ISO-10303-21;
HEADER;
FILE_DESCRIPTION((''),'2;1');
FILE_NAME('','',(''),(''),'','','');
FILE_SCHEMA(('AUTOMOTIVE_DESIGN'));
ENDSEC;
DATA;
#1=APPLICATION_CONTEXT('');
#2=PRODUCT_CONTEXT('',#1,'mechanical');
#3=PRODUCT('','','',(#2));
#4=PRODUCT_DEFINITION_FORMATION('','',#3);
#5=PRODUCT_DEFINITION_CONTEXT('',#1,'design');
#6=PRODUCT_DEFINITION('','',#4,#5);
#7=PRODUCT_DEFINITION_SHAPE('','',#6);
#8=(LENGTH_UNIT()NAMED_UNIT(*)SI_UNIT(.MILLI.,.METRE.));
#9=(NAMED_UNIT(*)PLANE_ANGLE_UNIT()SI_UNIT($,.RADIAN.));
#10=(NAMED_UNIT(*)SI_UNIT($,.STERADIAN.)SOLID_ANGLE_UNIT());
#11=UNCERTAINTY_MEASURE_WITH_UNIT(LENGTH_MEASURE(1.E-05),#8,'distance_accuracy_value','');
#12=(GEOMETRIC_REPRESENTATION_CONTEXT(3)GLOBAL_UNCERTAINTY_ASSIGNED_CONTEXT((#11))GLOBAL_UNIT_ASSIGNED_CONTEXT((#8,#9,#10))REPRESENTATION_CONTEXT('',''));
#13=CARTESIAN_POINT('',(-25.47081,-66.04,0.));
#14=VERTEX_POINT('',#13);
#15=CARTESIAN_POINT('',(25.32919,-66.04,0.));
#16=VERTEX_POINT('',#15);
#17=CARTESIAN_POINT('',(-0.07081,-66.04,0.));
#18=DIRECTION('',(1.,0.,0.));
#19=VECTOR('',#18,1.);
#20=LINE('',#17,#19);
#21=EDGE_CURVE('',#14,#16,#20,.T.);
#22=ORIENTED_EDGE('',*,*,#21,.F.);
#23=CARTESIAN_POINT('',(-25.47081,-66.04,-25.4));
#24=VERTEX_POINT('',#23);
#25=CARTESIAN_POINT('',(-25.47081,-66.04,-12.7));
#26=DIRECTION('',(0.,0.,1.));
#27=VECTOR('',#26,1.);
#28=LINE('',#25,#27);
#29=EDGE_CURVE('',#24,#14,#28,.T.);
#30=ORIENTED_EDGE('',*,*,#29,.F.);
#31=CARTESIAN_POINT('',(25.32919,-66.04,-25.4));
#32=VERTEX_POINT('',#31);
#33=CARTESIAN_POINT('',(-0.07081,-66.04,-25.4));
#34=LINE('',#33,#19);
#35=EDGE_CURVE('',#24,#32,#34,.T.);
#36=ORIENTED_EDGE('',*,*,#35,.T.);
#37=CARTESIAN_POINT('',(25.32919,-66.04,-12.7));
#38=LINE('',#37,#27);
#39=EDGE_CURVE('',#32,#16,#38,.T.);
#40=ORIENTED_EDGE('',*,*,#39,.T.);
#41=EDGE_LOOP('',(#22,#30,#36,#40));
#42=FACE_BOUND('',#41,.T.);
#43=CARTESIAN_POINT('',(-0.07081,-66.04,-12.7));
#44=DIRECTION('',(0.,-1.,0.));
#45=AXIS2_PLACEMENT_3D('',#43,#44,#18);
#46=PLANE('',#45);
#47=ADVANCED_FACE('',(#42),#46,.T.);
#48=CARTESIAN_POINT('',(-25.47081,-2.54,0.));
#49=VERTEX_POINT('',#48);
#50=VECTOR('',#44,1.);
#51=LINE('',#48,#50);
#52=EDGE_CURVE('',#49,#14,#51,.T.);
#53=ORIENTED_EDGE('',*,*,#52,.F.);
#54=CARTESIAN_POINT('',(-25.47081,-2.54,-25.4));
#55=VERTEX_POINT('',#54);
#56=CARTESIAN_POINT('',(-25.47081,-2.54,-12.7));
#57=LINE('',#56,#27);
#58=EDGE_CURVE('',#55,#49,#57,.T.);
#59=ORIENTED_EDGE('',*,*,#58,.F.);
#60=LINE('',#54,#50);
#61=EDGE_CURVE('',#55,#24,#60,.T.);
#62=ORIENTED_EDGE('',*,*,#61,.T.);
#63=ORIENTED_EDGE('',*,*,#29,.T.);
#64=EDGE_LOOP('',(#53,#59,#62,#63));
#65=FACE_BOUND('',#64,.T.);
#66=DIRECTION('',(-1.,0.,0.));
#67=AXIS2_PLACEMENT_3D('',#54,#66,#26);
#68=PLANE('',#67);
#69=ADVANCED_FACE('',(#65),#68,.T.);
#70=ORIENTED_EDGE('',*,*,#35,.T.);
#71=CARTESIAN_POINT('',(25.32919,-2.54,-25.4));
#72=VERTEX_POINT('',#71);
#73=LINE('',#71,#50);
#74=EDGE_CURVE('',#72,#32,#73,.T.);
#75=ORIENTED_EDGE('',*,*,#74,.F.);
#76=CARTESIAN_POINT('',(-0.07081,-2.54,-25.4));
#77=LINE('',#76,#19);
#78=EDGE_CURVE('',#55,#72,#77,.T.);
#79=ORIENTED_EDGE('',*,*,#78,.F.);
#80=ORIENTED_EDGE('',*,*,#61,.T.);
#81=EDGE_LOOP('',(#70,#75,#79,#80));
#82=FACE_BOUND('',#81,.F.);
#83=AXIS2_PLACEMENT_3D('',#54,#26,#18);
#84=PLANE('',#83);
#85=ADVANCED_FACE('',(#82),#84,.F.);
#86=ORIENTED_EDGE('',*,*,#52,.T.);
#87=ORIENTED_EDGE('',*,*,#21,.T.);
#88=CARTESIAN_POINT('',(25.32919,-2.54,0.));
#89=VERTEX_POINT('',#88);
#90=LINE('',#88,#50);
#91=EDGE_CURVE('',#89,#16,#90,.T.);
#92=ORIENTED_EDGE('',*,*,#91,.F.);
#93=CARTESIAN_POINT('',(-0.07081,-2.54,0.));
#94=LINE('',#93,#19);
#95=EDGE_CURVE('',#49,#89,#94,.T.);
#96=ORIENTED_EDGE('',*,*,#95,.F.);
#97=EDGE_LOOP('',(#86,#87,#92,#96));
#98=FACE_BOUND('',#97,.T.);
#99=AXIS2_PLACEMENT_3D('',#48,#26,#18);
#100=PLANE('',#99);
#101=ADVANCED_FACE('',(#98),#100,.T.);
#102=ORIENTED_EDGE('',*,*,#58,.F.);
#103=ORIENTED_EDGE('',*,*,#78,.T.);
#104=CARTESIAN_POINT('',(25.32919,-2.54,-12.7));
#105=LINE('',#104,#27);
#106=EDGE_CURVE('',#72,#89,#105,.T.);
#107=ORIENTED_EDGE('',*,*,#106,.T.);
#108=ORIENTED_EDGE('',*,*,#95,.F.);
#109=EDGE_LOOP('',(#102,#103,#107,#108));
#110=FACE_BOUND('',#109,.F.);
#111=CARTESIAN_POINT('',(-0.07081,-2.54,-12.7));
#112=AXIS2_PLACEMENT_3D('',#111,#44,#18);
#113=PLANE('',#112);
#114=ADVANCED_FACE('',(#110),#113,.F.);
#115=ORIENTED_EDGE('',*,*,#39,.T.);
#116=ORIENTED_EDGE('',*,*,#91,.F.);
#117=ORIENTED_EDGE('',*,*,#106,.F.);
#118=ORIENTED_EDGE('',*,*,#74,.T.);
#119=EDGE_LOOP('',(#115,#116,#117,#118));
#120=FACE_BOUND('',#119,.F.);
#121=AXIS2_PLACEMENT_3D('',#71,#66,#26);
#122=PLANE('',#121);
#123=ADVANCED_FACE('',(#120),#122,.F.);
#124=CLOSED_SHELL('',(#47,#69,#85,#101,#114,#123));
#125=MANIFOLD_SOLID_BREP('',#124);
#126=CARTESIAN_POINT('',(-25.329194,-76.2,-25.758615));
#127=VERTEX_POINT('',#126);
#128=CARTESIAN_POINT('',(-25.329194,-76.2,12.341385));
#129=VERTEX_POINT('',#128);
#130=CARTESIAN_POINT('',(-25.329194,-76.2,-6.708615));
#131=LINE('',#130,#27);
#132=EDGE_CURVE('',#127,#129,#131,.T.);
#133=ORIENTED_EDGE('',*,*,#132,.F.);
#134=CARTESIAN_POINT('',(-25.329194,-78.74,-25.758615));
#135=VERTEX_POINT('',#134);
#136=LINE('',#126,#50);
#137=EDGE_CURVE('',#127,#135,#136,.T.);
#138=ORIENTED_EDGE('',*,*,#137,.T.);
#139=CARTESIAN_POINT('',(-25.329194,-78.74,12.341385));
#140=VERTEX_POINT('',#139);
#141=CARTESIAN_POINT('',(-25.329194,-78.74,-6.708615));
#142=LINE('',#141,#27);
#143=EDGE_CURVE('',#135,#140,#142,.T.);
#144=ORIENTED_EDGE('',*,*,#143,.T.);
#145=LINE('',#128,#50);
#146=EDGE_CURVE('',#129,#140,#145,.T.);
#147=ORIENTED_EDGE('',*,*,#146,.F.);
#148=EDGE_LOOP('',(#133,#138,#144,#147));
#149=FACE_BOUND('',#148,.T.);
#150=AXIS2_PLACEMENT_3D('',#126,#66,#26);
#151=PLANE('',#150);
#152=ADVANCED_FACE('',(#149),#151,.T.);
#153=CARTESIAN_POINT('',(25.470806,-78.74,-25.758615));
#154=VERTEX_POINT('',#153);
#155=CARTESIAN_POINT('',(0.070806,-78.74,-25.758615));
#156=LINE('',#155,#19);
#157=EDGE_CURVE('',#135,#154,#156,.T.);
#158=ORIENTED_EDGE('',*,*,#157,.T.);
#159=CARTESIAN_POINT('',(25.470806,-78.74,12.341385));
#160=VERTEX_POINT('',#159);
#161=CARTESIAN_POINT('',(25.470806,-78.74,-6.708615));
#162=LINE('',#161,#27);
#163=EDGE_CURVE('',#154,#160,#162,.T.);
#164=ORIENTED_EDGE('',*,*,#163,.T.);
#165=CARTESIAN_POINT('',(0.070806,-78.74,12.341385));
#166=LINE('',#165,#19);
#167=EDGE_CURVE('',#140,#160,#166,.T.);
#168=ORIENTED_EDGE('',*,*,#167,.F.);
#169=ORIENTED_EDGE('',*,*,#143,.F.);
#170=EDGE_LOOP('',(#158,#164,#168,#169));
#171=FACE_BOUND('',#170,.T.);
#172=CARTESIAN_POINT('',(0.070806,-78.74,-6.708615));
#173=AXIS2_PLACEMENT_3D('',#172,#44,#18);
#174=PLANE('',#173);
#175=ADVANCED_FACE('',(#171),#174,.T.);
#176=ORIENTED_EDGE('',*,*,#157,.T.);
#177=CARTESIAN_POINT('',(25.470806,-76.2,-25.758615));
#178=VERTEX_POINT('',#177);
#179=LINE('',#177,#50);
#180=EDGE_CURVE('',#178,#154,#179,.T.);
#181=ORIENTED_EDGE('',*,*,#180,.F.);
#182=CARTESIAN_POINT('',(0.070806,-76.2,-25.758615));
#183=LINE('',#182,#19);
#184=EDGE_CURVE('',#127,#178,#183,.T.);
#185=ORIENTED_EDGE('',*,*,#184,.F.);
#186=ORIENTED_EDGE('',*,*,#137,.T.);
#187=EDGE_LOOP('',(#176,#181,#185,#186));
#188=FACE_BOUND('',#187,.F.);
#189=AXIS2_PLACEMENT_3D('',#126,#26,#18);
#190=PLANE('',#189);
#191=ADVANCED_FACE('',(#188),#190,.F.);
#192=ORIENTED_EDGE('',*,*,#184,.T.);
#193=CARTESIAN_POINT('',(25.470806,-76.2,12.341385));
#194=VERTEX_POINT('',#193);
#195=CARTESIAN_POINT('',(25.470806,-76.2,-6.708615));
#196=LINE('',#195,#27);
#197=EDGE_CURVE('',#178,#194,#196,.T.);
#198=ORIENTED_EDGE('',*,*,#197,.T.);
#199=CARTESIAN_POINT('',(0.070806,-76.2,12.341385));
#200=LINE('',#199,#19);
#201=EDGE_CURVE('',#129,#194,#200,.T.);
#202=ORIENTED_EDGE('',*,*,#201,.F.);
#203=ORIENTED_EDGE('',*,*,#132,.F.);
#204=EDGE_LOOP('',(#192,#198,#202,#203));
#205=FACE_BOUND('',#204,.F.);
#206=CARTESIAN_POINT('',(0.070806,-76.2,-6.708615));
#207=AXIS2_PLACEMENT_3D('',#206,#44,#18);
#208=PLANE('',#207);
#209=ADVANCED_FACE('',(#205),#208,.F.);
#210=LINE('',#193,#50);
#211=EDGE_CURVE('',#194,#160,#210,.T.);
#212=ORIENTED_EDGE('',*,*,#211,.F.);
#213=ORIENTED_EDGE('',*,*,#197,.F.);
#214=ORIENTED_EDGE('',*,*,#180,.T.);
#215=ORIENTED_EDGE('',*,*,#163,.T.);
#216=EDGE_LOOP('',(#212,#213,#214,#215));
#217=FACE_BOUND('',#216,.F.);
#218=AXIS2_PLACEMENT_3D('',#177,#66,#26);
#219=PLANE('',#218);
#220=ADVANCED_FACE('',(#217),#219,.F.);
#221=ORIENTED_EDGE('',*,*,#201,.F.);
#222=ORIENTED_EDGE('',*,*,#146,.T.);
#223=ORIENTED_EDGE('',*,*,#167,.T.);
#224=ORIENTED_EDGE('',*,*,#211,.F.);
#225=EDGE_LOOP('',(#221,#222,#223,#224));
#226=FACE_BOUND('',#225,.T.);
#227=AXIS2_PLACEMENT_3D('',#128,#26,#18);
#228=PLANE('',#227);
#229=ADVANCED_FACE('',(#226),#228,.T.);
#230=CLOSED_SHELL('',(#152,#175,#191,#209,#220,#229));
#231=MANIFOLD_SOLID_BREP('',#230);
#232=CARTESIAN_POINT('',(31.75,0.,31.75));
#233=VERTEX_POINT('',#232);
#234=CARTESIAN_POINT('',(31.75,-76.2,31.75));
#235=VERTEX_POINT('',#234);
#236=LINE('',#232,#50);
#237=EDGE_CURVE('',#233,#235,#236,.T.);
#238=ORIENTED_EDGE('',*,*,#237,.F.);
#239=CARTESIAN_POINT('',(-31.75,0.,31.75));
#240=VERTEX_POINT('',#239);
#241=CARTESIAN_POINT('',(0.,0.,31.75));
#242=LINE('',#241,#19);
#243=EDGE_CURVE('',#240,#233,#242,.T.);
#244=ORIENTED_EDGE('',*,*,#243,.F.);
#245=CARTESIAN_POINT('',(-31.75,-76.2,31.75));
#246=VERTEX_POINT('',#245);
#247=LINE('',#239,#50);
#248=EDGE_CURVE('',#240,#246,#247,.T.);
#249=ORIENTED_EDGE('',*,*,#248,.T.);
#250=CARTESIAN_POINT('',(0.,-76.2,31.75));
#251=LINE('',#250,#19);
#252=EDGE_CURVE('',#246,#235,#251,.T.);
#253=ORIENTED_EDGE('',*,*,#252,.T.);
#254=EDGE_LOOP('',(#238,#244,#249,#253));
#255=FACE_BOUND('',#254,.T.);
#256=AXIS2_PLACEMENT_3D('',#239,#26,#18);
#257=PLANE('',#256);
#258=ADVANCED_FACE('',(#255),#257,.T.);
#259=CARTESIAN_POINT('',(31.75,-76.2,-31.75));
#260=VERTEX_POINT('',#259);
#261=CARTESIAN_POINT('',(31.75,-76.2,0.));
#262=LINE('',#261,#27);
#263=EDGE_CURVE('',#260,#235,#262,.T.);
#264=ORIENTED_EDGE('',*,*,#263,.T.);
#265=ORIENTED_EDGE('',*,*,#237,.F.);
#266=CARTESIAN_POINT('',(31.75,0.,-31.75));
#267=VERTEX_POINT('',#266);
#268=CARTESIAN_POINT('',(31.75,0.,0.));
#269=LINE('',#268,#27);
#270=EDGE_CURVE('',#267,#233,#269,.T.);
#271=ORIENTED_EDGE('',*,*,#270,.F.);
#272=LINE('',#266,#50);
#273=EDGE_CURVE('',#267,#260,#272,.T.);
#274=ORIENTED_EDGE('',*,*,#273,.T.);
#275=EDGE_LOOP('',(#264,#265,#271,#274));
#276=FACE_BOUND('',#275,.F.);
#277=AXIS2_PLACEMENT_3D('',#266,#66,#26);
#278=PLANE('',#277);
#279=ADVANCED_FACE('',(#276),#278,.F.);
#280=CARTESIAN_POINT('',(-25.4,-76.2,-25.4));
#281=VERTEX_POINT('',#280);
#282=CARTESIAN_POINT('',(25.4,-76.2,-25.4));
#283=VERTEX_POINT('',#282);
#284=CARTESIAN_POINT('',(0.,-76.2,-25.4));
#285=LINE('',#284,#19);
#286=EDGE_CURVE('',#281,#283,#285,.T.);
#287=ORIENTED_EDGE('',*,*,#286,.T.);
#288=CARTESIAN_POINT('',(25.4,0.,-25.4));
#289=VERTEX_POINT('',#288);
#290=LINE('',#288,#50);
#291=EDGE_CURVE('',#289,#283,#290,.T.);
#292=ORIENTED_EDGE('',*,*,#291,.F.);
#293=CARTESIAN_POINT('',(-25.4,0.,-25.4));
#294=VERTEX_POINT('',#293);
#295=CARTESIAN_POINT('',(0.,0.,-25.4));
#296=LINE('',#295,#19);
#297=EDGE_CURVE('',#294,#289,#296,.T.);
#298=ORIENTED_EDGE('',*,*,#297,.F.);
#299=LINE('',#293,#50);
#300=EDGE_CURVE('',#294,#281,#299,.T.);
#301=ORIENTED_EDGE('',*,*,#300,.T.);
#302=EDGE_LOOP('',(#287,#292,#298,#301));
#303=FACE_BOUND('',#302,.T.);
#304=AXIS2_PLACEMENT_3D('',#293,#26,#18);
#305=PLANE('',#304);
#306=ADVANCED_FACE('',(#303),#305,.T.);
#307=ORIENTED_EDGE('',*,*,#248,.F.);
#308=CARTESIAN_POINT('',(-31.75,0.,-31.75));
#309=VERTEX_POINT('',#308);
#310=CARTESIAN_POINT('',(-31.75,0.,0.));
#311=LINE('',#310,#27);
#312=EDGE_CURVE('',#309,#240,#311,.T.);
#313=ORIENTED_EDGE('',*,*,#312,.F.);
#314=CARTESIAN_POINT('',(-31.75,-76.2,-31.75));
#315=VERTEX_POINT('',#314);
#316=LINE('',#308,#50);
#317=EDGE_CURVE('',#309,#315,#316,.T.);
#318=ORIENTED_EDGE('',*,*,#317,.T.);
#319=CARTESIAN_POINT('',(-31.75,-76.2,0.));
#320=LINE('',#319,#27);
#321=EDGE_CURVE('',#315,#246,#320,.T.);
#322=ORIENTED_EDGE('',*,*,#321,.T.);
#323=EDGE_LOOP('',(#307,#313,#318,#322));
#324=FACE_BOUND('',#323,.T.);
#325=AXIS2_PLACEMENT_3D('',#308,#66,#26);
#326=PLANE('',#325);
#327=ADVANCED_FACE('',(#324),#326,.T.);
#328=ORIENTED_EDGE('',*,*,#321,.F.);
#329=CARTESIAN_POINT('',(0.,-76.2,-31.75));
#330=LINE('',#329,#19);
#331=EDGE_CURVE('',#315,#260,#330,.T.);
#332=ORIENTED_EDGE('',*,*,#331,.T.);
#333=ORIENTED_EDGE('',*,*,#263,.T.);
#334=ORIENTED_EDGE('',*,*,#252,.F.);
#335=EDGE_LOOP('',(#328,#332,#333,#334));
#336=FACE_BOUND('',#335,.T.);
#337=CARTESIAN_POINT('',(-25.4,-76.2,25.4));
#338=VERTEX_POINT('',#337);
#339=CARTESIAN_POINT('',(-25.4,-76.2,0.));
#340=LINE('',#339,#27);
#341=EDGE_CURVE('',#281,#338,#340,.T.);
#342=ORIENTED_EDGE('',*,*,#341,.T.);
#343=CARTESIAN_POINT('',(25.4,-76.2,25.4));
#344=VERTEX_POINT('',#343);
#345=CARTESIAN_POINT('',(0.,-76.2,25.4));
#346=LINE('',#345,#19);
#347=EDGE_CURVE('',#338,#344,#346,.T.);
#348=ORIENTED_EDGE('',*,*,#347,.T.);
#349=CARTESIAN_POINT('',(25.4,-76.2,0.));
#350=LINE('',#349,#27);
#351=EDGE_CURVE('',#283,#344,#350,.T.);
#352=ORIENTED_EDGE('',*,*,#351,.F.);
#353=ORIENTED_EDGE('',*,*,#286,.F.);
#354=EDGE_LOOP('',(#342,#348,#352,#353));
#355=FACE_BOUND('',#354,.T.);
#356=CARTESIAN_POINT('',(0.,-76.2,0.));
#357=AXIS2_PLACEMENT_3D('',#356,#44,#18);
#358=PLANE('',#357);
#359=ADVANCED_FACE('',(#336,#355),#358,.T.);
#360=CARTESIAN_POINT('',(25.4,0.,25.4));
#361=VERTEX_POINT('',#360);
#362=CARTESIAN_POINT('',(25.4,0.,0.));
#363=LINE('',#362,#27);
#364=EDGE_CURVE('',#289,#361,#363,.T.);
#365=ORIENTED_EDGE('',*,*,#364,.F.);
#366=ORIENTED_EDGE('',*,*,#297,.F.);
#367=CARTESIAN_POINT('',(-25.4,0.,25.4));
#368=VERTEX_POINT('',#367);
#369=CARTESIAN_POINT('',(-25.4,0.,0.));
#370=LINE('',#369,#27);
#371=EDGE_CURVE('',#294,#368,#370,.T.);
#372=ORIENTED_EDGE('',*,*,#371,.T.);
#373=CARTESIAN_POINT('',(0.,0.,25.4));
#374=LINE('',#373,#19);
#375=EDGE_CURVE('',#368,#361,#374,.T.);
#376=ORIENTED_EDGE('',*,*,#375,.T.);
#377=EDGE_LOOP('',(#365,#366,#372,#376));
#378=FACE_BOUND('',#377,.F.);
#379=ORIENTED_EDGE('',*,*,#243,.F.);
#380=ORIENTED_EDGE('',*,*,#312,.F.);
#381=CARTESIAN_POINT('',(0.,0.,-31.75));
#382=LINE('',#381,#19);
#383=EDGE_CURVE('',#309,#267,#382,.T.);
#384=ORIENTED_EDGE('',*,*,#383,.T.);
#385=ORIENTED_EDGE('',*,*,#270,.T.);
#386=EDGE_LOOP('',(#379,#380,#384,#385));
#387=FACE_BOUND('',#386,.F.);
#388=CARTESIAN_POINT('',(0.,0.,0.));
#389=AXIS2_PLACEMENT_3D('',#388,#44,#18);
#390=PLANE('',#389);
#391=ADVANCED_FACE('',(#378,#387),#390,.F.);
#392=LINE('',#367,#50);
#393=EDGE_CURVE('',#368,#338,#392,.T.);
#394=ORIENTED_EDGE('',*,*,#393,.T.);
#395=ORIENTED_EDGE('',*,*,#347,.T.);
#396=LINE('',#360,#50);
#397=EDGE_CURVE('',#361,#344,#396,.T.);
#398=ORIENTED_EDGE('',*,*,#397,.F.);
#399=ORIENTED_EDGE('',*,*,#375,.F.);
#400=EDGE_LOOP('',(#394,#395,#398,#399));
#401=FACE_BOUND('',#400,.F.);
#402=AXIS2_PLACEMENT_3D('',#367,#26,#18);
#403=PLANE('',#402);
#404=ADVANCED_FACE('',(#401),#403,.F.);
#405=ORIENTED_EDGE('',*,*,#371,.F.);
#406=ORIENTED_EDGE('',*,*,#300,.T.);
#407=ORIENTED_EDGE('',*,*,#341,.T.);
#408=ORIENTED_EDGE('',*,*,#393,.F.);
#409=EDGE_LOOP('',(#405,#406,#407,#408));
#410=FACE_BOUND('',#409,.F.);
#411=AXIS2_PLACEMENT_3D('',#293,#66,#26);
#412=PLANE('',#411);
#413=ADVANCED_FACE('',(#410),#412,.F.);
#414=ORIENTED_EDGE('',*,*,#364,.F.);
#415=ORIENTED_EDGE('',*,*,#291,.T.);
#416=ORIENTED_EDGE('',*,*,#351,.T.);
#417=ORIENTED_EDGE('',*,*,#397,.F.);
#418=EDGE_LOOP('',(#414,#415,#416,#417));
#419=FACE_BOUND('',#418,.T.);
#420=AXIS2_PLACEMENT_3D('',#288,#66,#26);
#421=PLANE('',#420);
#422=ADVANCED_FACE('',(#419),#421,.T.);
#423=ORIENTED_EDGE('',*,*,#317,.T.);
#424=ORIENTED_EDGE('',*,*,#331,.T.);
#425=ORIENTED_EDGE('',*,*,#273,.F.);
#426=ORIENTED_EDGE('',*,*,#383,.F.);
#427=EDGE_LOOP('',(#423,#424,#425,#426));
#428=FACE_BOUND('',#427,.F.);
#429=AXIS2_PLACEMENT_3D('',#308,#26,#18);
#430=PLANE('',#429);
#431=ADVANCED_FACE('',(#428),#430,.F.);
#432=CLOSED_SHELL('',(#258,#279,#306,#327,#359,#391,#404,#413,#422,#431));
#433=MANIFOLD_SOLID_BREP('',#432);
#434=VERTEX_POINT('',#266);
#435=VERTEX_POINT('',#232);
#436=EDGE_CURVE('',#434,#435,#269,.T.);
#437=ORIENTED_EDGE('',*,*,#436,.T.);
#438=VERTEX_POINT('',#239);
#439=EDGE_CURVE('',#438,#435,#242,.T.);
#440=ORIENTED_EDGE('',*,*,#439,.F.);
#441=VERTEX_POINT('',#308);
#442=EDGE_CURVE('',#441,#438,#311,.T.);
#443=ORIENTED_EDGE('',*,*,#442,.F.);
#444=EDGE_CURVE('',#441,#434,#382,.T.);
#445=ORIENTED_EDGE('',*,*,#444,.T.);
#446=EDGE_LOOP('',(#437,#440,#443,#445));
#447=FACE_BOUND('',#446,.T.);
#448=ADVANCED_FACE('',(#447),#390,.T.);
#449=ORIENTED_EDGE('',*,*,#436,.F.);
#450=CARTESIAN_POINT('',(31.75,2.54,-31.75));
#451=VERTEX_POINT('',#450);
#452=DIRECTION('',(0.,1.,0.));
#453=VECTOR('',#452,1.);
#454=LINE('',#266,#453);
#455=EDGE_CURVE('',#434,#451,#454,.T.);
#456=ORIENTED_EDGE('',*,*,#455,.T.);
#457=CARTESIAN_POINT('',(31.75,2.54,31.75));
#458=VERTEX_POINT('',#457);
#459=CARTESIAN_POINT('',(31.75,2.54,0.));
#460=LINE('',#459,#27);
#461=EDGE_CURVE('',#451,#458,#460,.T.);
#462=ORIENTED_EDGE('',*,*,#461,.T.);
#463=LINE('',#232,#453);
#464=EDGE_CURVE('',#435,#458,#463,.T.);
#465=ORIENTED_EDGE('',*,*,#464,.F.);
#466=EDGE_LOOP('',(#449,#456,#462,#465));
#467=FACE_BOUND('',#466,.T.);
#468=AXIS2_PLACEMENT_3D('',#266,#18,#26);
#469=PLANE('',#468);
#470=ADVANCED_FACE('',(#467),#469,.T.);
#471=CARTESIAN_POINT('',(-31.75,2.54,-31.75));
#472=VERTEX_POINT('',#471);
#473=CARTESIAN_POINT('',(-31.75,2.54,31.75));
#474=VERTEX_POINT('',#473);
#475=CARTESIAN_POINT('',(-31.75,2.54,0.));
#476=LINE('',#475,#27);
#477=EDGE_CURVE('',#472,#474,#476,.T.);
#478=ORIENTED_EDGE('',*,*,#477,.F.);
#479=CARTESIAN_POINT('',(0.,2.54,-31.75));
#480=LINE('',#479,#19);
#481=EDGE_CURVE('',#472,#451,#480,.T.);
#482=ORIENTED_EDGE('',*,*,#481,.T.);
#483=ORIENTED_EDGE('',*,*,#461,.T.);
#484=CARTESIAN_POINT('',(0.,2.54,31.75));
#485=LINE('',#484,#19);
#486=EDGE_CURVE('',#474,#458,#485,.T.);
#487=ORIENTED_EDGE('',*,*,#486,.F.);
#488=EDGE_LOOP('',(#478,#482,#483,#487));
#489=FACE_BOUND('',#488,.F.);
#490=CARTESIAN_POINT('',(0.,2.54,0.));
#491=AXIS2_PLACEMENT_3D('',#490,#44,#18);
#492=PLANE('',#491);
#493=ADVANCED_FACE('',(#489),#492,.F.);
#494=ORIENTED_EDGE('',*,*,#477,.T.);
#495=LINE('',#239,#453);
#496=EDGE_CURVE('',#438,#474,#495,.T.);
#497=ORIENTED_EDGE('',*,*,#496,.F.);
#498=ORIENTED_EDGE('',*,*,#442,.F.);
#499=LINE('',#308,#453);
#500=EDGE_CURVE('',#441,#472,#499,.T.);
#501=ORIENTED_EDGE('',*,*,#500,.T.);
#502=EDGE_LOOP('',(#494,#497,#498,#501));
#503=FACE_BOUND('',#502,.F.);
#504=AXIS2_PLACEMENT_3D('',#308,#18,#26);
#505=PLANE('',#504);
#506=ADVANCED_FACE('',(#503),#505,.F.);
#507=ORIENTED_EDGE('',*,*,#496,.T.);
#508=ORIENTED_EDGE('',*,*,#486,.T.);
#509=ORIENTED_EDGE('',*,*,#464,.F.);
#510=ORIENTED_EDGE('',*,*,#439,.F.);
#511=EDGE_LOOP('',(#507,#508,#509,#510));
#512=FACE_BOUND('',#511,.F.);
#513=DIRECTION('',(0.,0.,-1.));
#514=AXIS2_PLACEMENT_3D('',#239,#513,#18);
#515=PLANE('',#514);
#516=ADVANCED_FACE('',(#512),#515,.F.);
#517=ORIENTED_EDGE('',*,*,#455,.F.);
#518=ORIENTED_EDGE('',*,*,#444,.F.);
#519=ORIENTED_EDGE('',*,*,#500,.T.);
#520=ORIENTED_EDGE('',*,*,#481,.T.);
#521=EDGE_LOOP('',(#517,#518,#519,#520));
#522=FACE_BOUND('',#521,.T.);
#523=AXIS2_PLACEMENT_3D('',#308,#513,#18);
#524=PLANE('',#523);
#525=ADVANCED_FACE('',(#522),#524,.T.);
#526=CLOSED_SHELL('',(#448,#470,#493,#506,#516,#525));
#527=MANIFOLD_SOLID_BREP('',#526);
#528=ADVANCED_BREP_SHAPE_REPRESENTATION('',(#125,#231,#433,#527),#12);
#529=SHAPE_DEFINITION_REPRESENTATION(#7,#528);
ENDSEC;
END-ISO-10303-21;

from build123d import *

# Parameters (mm, degrees)
F1_W     = 63.5
F1_H     = 63.5
F2_DEPTH = 76.2
F4_W     = 50.8
F4_H     = 25.4
F5_DEPTH = 63.5
F6_W     = 50.8
F6_H     = 38.1
F7_DEPTH = 2.54
F8_DEPTH = 2.54
F0_W     = 50.8
F0_H     = 50.8
F9_DEPTH = 76.2


with BuildPart() as f2:
    # F1 (on Front) → F2 (new body)
    with BuildSketch(Plane.XZ):
        Rectangle(F1_W, F1_H)
    extrude(amount=F2_DEPTH)


with BuildPart() as f5:
    # F4 (on offset) → F5 (new body)
    with BuildSketch(Plane.XZ.offset(2.54)):
        with Locations((-0.070810011, -12.7)):
            Rectangle(F4_W, F4_H)
    extrude(amount=F5_DEPTH)


with BuildPart() as f7:
    # F6 (on face) → F7 (new body)
    with BuildSketch(Plane.XZ.offset(76.2)):
        with Locations((0.0708062857, -6.7086147636)):
            Rectangle(F6_W, F6_H)
    extrude(amount=F7_DEPTH)


with BuildPart() as f8:
    # F8 (new): a face of the model
    f8_faces = [f2.part.faces().sort_by_distance(p)[0] for p in [
        (0, 0, 0),
    ]]
    extrude(f8_faces, amount=F8_DEPTH)


with BuildPart() as f2_1:
    add(f2.part)

    # F0 (on Front) → F9 (cut)
    with BuildSketch(Plane.XZ):
        Rectangle(F0_W, F0_H)
    extrude(amount=F9_DEPTH, mode=Mode.SUBTRACT)


solid = Compound([f5.part, f7.part, f8.part, f2_1.part])
